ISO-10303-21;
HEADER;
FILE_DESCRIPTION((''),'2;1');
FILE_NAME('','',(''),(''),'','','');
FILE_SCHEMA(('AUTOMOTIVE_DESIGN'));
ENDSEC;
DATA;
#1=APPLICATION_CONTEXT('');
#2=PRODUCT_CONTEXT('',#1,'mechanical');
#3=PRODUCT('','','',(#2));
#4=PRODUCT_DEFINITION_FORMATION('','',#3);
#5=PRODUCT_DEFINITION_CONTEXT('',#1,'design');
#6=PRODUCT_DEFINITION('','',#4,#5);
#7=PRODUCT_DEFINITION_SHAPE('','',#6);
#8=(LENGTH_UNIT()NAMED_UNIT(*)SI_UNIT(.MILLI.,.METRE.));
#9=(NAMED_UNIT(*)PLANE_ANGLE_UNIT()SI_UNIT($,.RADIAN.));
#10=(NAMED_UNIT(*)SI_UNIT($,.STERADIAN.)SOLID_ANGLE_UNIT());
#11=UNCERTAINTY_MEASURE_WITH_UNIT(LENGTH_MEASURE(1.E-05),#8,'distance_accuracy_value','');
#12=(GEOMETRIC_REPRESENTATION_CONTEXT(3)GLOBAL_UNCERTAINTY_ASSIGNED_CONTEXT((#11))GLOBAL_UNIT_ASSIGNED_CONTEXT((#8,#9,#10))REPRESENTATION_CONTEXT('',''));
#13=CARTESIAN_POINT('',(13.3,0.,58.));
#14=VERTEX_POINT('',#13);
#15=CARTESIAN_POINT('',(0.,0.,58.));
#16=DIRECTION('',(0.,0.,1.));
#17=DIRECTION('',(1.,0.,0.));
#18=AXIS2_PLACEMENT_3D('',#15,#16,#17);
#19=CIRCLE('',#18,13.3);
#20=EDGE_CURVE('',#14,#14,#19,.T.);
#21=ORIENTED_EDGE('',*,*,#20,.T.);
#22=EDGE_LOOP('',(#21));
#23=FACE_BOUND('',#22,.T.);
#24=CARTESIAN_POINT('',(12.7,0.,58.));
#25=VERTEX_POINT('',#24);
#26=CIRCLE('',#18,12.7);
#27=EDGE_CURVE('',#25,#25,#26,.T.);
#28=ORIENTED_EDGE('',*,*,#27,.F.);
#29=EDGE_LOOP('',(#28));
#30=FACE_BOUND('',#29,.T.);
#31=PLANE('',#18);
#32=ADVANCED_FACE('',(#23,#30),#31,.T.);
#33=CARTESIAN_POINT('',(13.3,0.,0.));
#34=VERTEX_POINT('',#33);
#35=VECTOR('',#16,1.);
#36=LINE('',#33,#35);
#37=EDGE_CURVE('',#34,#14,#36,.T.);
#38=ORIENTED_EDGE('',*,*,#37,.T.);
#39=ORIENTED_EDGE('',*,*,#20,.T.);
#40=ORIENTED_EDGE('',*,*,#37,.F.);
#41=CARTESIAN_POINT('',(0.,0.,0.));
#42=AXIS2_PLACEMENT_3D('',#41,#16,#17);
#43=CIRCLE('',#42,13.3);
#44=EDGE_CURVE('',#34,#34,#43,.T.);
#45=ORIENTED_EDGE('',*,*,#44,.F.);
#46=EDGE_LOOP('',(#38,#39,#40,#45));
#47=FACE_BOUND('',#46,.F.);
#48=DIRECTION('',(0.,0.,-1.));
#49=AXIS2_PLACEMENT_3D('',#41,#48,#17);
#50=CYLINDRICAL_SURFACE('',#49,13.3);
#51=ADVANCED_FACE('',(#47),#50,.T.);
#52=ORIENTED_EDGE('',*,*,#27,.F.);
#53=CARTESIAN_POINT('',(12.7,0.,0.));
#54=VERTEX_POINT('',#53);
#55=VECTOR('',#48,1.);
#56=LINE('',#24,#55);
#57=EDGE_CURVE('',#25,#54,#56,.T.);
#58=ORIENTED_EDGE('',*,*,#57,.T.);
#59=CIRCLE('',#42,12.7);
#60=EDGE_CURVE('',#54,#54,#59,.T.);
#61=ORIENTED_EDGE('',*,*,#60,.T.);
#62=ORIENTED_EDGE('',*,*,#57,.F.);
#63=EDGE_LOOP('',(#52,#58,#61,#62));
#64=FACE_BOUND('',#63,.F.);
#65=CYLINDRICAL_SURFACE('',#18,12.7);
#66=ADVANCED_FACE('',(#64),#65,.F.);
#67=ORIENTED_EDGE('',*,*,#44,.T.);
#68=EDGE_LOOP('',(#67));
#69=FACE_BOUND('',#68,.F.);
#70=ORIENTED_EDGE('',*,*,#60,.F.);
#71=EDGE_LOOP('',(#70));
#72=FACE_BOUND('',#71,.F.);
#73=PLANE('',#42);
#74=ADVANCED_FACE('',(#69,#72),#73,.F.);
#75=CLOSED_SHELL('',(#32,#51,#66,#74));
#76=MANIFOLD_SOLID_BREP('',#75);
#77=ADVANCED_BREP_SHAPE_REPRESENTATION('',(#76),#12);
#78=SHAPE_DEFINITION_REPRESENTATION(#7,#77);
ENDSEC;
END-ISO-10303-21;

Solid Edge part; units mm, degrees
sketch "Sketch1" plane through (0, 0, 0) normal (0, 0, 1) x (1, 0, 0)
  circle A0 centre (0, 0) radius 13.3
extrude "Protrusion1" add sketch "Sketch1" along normal blind 58
sketch "Sketch2" plane through (0, 0, 58) normal (0, 0, 1) x (1, 0, 0)
  circle A0 centre (0, 0) radius 12.7
extrude "Cutout1" cut sketch "Sketch2" against normal up to vertex (58 mm away)
properties material "Epoxy, cast rigid"
